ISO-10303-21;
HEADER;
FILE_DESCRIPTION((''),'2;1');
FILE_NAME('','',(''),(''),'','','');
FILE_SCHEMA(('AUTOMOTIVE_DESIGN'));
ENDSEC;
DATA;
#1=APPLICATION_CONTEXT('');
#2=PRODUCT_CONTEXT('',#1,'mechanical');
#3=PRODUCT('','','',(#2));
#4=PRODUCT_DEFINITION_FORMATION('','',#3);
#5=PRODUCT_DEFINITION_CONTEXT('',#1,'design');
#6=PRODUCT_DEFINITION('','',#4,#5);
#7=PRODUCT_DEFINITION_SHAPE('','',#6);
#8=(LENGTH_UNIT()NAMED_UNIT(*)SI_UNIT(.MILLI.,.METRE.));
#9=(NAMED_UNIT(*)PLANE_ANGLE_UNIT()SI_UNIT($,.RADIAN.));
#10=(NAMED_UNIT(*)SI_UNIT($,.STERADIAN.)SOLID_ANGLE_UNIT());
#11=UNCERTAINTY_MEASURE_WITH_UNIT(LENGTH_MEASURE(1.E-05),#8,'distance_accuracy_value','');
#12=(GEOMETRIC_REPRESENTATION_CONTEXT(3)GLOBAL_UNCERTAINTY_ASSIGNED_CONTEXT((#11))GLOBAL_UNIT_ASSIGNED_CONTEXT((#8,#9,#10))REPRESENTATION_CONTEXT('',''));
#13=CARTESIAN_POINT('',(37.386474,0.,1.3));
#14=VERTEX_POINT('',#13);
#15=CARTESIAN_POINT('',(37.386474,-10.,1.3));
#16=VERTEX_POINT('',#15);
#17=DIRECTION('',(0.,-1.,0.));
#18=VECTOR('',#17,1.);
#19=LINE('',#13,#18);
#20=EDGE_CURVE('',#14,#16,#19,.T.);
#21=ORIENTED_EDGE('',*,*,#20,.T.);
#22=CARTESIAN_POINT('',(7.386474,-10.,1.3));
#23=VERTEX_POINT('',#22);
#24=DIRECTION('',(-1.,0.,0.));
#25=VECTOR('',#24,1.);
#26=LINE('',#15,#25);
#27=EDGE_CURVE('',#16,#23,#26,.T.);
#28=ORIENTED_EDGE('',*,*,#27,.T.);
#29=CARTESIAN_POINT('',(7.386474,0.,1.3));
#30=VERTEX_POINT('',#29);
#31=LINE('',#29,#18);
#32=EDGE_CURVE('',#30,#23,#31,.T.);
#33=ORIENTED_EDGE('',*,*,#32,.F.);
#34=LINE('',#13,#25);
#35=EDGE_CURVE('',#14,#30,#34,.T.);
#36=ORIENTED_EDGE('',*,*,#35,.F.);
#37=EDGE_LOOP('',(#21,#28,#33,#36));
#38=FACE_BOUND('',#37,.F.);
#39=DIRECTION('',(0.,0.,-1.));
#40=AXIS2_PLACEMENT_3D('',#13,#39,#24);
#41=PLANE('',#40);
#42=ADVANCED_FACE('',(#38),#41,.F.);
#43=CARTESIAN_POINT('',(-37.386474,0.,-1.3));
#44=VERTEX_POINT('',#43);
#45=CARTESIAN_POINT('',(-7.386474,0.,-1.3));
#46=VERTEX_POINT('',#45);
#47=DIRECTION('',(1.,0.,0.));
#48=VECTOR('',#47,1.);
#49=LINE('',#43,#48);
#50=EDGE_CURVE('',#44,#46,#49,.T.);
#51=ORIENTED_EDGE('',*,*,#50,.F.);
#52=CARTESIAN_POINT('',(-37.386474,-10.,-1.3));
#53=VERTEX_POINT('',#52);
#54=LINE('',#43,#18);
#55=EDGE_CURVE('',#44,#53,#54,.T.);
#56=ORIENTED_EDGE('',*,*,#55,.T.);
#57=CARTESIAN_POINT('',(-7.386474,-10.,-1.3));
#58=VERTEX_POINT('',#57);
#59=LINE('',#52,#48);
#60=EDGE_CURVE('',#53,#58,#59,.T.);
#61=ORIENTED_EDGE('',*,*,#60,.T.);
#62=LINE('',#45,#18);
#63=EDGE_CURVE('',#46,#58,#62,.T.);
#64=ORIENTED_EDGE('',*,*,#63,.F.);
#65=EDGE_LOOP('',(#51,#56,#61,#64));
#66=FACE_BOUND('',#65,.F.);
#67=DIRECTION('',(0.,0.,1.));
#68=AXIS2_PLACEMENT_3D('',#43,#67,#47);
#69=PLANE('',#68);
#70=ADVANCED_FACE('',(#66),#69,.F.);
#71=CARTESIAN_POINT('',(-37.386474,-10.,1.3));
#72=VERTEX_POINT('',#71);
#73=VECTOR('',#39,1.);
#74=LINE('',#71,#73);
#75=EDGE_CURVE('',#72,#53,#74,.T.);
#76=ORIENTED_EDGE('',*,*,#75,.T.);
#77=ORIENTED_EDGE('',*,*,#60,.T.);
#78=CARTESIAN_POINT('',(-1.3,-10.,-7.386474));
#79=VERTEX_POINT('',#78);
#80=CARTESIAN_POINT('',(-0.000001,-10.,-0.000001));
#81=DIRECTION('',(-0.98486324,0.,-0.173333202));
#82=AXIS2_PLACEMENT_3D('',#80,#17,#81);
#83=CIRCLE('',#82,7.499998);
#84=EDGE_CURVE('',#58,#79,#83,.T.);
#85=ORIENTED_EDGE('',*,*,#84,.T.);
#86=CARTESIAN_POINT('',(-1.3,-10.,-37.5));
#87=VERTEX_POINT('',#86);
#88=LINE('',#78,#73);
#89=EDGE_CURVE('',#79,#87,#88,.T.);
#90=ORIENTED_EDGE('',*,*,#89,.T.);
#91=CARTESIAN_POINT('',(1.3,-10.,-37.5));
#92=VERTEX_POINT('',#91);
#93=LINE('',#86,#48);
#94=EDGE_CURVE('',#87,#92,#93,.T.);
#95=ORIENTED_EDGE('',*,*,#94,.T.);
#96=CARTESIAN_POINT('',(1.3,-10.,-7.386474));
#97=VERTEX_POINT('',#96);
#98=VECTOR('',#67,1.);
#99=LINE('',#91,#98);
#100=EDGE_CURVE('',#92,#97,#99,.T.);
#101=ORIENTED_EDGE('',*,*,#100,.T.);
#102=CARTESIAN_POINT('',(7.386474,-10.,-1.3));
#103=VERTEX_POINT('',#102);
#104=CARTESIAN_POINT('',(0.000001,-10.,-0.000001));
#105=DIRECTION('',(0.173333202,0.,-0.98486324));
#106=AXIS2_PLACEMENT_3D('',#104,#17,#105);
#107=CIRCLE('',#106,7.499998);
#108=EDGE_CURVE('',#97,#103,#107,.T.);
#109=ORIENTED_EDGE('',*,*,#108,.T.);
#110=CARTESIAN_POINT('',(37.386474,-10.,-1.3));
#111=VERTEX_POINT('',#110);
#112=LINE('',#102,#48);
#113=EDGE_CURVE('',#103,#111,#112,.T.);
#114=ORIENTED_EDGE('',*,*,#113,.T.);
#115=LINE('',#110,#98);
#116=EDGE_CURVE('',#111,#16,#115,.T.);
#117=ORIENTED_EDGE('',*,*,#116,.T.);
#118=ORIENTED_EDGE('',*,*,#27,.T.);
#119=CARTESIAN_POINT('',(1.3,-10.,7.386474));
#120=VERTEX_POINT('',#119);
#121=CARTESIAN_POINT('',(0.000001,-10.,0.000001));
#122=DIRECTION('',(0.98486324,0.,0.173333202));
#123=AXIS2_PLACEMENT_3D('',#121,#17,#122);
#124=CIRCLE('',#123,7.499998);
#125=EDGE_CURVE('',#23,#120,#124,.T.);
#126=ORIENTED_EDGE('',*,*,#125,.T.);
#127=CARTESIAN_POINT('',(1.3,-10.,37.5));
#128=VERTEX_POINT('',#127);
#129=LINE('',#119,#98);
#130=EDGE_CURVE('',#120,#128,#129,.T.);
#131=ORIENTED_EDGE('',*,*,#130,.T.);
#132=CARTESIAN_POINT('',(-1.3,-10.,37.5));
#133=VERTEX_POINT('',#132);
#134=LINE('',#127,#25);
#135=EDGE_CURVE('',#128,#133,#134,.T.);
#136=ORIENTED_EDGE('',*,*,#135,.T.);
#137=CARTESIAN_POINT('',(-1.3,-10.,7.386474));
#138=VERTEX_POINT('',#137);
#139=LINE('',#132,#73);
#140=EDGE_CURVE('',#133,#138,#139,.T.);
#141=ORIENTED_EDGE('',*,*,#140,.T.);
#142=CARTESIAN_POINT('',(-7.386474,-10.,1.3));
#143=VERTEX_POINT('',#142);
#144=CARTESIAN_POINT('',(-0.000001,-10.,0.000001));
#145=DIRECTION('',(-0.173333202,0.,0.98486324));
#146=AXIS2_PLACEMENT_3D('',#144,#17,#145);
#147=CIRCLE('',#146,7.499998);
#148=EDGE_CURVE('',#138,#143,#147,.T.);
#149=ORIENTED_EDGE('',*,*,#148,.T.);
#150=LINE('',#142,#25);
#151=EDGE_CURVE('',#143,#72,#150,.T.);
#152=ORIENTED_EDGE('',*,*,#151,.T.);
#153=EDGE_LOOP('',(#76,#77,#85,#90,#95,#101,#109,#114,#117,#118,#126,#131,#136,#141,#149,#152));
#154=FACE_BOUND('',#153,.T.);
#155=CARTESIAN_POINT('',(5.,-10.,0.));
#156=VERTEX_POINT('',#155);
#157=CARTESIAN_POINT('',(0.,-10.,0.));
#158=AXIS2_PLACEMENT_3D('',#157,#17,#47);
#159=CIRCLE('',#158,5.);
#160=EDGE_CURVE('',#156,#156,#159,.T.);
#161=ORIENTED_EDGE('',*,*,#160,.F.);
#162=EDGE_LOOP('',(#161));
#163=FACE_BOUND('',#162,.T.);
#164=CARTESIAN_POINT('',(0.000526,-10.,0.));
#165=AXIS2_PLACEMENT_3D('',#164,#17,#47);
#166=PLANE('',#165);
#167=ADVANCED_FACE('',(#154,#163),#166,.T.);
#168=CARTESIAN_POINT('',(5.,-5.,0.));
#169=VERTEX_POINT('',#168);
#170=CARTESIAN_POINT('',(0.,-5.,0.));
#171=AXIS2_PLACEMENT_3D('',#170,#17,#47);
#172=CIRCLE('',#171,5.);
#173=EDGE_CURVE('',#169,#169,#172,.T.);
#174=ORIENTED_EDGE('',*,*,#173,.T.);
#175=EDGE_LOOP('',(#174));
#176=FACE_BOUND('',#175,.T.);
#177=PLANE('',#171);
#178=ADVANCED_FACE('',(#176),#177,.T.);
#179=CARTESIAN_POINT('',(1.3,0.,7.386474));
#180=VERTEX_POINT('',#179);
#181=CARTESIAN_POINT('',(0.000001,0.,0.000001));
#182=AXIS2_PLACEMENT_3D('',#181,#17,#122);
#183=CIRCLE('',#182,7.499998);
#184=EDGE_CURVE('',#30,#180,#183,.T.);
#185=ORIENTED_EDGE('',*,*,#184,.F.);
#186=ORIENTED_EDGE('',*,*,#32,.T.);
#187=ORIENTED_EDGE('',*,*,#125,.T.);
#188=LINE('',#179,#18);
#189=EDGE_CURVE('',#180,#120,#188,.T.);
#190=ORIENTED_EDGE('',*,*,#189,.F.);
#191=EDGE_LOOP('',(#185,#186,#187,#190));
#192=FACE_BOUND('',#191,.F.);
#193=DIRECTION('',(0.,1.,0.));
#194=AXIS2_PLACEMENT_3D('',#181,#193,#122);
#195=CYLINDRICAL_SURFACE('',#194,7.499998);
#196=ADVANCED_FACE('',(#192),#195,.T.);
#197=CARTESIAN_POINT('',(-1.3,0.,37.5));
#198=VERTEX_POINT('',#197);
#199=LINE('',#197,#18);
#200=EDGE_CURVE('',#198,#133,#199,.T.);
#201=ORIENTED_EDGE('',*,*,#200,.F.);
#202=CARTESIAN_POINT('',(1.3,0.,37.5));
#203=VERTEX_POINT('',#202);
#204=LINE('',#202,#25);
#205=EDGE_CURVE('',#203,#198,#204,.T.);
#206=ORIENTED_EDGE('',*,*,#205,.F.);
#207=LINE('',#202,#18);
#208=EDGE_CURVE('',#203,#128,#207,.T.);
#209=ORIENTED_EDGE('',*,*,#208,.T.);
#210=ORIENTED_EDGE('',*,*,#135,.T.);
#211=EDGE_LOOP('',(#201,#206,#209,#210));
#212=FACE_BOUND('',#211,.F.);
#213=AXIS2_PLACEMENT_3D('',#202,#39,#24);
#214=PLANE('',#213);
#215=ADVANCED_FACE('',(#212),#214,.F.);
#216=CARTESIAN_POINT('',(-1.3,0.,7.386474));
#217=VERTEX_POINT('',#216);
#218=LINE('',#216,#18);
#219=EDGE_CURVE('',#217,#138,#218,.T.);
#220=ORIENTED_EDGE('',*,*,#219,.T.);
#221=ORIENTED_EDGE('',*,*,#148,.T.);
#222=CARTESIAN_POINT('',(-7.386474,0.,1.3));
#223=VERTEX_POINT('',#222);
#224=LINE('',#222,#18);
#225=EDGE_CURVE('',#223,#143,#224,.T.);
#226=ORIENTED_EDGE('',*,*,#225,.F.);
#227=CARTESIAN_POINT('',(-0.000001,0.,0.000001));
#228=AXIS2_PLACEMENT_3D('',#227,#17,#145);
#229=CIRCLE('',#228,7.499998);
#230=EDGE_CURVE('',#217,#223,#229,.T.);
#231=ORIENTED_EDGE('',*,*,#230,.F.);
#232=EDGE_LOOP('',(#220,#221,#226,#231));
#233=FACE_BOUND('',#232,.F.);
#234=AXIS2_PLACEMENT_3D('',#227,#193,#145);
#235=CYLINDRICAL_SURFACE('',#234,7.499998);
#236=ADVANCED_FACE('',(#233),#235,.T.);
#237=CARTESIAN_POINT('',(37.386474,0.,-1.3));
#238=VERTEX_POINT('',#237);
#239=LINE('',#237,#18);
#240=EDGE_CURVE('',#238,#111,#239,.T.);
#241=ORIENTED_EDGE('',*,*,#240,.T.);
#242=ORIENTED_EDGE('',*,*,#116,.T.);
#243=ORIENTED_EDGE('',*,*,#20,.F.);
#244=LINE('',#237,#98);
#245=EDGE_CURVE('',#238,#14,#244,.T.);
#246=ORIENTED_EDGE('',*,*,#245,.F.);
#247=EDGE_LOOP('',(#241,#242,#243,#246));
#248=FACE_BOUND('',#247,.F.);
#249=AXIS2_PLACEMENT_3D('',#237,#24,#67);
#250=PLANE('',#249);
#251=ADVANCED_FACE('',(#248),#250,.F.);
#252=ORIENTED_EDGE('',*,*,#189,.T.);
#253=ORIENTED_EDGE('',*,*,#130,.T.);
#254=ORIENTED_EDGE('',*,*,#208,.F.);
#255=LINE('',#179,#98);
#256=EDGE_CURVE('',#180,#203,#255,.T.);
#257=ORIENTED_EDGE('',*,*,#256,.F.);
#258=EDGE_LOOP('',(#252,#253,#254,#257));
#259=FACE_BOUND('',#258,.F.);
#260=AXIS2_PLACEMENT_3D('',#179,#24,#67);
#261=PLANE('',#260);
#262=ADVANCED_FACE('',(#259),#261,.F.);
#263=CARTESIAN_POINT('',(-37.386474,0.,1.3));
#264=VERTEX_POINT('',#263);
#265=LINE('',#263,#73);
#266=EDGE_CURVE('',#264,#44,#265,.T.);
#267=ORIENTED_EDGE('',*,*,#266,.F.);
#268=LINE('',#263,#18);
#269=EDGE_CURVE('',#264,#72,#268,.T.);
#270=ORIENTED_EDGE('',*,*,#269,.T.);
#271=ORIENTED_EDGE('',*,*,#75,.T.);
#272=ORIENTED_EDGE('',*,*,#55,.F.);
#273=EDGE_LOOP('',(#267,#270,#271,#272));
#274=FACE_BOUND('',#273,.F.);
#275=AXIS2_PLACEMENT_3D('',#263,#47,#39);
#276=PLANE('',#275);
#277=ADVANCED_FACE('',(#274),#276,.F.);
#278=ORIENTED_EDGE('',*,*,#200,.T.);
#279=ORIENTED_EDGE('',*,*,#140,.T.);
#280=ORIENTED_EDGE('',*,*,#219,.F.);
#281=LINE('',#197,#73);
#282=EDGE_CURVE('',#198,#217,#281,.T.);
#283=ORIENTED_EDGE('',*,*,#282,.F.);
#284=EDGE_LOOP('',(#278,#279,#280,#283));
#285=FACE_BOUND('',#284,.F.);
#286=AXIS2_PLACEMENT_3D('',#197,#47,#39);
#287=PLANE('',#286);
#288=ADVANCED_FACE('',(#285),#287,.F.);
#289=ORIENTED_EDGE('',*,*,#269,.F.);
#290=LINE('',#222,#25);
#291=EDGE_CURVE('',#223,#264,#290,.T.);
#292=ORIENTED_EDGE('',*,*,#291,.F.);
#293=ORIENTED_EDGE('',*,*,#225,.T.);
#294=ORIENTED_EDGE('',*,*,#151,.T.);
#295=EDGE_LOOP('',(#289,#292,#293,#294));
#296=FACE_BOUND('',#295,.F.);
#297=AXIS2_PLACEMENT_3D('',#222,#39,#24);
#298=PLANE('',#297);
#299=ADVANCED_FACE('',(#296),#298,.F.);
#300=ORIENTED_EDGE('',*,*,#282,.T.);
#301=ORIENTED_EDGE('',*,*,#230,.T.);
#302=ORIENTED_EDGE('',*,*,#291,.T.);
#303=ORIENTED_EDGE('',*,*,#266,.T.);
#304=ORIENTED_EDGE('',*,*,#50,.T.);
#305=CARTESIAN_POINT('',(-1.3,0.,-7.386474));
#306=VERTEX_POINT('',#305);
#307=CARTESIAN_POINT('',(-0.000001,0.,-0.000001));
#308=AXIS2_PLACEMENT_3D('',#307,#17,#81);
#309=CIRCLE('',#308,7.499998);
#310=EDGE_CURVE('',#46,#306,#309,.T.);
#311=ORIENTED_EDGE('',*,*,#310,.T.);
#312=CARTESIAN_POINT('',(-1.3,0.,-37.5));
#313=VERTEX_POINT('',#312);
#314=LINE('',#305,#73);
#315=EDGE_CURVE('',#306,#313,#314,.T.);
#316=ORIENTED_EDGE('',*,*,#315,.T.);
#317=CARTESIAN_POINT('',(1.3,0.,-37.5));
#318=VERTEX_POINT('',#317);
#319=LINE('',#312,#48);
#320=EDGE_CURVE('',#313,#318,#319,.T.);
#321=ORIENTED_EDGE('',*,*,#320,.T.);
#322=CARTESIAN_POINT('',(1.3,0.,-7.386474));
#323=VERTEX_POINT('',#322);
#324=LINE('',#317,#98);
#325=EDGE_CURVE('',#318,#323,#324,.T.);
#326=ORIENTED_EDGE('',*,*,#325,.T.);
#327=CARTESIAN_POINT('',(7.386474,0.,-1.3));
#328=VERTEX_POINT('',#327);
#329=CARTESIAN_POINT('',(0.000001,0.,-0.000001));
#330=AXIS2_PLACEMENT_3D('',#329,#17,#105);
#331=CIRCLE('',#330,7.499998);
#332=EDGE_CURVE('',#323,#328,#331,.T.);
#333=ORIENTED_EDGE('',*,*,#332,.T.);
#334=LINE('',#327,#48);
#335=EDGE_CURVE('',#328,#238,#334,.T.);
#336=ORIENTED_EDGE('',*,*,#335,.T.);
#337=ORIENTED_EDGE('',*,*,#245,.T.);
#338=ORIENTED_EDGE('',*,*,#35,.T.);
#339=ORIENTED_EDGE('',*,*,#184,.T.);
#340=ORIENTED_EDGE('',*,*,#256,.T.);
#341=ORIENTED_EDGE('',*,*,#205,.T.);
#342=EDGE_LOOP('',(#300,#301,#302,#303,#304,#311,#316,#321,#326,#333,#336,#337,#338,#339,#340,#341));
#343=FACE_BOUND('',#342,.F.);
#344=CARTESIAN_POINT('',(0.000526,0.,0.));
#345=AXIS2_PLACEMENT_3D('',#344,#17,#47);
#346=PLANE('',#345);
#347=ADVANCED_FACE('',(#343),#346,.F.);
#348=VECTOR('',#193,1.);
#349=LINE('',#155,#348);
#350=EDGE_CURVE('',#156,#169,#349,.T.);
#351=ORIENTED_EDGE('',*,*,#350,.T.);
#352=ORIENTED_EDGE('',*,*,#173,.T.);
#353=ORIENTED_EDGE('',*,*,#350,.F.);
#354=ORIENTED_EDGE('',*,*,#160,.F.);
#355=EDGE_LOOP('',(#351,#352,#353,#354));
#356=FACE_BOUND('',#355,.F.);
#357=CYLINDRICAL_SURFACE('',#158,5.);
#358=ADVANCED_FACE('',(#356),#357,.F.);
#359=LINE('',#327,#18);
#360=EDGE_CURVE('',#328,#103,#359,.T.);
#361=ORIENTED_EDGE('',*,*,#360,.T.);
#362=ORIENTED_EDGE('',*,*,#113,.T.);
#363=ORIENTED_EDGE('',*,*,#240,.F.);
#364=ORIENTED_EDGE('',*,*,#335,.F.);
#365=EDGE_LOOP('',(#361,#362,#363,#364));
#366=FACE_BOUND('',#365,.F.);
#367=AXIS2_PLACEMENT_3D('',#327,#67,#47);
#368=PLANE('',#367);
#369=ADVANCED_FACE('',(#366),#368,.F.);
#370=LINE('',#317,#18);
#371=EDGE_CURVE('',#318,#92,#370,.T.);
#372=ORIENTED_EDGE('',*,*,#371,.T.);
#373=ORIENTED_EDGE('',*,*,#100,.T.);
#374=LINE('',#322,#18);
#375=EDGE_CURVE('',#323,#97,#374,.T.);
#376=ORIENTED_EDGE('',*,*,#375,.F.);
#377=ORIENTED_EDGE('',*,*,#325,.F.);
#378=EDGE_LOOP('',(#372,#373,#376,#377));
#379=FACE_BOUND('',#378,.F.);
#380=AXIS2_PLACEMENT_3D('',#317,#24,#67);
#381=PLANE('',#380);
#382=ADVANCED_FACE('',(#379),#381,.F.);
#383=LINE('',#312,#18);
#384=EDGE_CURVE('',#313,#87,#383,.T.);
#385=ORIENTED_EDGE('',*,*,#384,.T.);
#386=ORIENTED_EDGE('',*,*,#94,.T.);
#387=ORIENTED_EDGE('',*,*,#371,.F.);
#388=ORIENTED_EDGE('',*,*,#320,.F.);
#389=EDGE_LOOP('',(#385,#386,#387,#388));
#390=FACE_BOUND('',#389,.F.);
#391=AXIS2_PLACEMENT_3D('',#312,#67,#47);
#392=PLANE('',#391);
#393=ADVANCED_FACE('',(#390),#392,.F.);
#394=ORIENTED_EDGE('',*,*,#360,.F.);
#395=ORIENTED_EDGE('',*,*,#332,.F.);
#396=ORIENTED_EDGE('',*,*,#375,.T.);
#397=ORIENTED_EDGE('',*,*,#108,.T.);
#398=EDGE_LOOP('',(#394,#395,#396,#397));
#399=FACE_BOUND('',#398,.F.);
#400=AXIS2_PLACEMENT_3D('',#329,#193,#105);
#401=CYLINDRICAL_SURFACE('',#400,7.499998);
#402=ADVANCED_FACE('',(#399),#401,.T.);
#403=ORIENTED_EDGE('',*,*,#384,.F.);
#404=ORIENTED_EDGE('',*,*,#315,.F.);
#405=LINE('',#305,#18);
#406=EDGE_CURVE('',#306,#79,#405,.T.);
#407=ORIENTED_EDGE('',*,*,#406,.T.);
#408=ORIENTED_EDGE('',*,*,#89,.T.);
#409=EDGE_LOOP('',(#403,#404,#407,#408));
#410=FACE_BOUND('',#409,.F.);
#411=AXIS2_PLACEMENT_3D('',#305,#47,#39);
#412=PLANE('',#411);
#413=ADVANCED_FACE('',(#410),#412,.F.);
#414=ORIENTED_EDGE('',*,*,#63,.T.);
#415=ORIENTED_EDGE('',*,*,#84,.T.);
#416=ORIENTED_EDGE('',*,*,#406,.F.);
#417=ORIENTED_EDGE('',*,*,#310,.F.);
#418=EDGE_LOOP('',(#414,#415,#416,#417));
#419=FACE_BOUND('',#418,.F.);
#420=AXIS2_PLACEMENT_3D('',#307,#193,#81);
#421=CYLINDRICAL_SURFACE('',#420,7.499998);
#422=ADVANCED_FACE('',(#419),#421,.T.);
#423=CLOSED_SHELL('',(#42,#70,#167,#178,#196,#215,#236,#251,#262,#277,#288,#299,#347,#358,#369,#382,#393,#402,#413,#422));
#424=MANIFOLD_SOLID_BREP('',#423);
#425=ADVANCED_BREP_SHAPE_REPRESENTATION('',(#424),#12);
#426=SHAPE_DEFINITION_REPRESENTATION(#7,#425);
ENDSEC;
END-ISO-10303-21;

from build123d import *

# Parameters (mm, degrees)
F1_DEPTH = 10
F2_R     = 5
F3_DEPTH = 5


with BuildPart() as f1:
    # F0 (on Front) → F1 (new body)
    with BuildSketch(Plane.XZ):
        with BuildLine():
            ThreePointArc((7.386474, -1.3), (7.471565, -0.652474), (7.5, 0))
            ThreePointArc((7.5, 0), (7.471565, 0.652474), (7.386474, 1.3))
            ThreePointArc((7.386474, 1.3), (5.303301, 5.303301), (1.3, 7.386474))
            ThreePointArc((1.3, 7.386474), (0, 7.5), (-1.3, 7.386474))
            ThreePointArc((-1.3, 7.386474), (-5.303301, 5.303301), (-7.386474, 1.3))
            ThreePointArc((-7.386474, 1.3), (-7.5, 0), (-7.386474, -1.3))
            ThreePointArc((-7.386474, -1.3), (-5.303301, -5.303301), (-1.3, -7.386474))
            ThreePointArc((-1.3, -7.386474), (0, -7.5), (1.3, -7.386474))
            ThreePointArc((1.3, -7.386474), (5.303301, -5.303301), (7.386474, -1.3))
        make_face()
        with BuildLine():
            ThreePointArc((7.386474, 1.3), (7.471565, 0.652474), (7.5, 0))
            ThreePointArc((7.5, 0), (7.471565, -0.652474), (7.386474, -1.3))
            Line((7.386474, -1.3), (37.386474, -1.3))
            Line((37.386474, -1.3), (37.386474, 0))
            Line((37.386474, 0), (37.386474, 1.3))
            Line((37.386474, 1.3), (7.386474, 1.3))
        make_face()
        with BuildLine():
            ThreePointArc((-1.3, 7.386474), (0, 7.5), (1.3, 7.386474))
            Line((1.3, 7.386474), (1.3, 37.5))
            Line((1.3, 37.5), (0, 37.5))
            Line((0, 37.5), (-1.3, 37.5))
            Line((-1.3, 37.5), (-1.3, 7.386474))
        make_face()
        with BuildLine():
            Line((1.3, -37.5), (1.3, -7.386474))
            ThreePointArc((1.3, -7.386474), (0, -7.5), (-1.3, -7.386474))
            Line((-1.3, -7.386474), (-1.3, -37.5))
            Line((-1.3, -37.5), (0, -37.5))
            Line((0, -37.5), (1.3, -37.5))
        make_face()
        with BuildLine():
            ThreePointArc((-7.386474, -1.3), (-7.5, 0), (-7.386474, 1.3))
            Line((-7.386474, 1.3), (-37.386474, 1.3))
            Line((-37.386474, 1.3), (-37.386474, 0))
            Line((-37.386474, 0), (-37.386474, -1.3))
            Line((-37.386474, -1.3), (-7.386474, -1.3))
        make_face()
    extrude(amount=F1_DEPTH)

    # F2 (on face) → F3 (cut)
    with BuildSketch(Plane.XZ.offset(10)):
        Circle(F2_R)
    extrude(amount=-F3_DEPTH, mode=Mode.SUBTRACT)


solid = f1.part
